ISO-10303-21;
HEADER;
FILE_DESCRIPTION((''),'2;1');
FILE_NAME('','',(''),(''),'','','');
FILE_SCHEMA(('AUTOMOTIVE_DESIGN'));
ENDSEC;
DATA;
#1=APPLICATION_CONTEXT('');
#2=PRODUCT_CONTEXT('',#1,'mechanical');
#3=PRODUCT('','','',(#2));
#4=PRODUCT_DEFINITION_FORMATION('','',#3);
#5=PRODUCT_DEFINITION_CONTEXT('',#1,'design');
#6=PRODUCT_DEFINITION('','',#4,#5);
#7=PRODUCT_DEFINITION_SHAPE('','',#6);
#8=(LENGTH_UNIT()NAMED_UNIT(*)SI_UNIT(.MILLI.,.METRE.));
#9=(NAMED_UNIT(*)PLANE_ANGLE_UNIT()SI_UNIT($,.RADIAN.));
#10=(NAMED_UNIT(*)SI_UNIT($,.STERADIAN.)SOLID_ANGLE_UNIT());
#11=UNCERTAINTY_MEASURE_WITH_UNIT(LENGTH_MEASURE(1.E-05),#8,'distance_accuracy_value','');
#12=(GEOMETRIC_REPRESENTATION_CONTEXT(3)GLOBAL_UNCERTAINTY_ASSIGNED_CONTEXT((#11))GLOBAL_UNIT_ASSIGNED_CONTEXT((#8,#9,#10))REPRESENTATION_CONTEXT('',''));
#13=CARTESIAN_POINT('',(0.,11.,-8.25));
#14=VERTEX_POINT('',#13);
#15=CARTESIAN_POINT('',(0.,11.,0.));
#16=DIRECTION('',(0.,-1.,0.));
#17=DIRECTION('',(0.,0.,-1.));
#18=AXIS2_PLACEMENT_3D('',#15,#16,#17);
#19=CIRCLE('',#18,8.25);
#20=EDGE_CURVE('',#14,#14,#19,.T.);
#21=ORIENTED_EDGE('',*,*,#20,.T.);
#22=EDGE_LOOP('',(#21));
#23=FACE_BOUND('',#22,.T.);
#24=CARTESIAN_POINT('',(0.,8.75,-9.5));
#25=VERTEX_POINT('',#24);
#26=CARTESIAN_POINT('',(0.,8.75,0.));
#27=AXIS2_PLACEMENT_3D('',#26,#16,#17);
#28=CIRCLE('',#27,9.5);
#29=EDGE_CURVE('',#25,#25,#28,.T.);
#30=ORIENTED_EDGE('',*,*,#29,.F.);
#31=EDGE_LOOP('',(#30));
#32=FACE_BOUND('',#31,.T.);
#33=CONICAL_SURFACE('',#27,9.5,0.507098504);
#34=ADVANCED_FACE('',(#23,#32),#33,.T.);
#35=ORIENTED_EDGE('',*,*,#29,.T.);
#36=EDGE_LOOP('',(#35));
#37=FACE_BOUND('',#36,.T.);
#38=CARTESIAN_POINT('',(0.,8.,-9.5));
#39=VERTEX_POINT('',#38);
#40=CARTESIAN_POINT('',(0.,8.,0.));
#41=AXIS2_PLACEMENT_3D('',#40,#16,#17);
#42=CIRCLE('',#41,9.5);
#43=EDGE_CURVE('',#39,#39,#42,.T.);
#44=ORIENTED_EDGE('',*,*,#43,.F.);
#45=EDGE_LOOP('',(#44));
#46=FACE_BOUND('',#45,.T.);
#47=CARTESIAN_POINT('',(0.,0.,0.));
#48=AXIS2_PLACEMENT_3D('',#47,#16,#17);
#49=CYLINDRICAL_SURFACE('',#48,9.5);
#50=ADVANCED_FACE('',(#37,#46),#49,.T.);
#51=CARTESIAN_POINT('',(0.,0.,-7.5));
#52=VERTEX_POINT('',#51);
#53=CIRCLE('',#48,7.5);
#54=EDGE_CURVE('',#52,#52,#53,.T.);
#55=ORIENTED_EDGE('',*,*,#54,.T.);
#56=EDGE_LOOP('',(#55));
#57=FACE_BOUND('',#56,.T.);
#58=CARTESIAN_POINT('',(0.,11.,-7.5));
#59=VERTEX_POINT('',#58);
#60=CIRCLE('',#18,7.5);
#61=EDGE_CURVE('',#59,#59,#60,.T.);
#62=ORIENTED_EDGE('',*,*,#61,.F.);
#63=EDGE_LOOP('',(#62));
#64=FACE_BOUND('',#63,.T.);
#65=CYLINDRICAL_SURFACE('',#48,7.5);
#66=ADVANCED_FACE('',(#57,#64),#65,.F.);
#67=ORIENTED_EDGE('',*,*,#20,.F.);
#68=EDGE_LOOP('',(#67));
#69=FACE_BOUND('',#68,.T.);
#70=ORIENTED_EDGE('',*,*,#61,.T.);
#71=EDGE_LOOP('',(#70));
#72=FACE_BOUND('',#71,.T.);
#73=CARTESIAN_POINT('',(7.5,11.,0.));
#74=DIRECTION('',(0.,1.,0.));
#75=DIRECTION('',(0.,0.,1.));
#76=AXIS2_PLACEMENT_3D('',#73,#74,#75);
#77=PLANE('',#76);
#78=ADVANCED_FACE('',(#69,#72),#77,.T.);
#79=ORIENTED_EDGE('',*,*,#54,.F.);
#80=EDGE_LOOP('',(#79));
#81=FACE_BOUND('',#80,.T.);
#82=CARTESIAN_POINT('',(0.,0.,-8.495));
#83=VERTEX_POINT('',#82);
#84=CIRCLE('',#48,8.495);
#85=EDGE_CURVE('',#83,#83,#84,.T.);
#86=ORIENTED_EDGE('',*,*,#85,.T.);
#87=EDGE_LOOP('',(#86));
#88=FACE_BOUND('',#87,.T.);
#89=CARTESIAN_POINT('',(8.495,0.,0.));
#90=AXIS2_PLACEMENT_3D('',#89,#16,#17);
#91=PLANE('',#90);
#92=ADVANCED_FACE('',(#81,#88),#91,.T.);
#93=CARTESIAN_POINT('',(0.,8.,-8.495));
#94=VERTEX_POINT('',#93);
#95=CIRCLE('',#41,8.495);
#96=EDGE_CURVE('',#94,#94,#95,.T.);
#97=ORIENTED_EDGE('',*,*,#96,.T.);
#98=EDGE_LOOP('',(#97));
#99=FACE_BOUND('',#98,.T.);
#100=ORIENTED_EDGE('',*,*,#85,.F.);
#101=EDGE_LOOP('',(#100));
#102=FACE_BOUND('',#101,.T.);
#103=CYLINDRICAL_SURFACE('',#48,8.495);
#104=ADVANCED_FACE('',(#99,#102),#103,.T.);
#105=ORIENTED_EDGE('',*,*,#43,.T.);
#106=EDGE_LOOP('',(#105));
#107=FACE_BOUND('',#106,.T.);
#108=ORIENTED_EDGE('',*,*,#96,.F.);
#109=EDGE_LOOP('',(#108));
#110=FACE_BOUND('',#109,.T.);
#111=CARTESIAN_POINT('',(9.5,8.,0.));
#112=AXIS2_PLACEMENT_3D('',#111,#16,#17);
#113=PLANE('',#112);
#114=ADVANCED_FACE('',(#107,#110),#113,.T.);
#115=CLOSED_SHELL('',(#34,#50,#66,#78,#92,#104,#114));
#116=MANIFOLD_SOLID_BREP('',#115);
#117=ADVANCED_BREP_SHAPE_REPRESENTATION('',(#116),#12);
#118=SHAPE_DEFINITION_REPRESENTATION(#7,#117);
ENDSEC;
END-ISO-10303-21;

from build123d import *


with BuildPart() as part:
    # Sketch1 → Revolve1 (revolve)
    with BuildSketch(Plane.XY):
        Polygon((7.5, 0), (7.5, 11), (8.25, 11), (9.5, 8.75), (9.5, 8), (8.495, 8), (8.495, 0), align=None)
    revolve(axis=Axis((0, 0, 0), (0, 1, 0)))


solid = part.part
